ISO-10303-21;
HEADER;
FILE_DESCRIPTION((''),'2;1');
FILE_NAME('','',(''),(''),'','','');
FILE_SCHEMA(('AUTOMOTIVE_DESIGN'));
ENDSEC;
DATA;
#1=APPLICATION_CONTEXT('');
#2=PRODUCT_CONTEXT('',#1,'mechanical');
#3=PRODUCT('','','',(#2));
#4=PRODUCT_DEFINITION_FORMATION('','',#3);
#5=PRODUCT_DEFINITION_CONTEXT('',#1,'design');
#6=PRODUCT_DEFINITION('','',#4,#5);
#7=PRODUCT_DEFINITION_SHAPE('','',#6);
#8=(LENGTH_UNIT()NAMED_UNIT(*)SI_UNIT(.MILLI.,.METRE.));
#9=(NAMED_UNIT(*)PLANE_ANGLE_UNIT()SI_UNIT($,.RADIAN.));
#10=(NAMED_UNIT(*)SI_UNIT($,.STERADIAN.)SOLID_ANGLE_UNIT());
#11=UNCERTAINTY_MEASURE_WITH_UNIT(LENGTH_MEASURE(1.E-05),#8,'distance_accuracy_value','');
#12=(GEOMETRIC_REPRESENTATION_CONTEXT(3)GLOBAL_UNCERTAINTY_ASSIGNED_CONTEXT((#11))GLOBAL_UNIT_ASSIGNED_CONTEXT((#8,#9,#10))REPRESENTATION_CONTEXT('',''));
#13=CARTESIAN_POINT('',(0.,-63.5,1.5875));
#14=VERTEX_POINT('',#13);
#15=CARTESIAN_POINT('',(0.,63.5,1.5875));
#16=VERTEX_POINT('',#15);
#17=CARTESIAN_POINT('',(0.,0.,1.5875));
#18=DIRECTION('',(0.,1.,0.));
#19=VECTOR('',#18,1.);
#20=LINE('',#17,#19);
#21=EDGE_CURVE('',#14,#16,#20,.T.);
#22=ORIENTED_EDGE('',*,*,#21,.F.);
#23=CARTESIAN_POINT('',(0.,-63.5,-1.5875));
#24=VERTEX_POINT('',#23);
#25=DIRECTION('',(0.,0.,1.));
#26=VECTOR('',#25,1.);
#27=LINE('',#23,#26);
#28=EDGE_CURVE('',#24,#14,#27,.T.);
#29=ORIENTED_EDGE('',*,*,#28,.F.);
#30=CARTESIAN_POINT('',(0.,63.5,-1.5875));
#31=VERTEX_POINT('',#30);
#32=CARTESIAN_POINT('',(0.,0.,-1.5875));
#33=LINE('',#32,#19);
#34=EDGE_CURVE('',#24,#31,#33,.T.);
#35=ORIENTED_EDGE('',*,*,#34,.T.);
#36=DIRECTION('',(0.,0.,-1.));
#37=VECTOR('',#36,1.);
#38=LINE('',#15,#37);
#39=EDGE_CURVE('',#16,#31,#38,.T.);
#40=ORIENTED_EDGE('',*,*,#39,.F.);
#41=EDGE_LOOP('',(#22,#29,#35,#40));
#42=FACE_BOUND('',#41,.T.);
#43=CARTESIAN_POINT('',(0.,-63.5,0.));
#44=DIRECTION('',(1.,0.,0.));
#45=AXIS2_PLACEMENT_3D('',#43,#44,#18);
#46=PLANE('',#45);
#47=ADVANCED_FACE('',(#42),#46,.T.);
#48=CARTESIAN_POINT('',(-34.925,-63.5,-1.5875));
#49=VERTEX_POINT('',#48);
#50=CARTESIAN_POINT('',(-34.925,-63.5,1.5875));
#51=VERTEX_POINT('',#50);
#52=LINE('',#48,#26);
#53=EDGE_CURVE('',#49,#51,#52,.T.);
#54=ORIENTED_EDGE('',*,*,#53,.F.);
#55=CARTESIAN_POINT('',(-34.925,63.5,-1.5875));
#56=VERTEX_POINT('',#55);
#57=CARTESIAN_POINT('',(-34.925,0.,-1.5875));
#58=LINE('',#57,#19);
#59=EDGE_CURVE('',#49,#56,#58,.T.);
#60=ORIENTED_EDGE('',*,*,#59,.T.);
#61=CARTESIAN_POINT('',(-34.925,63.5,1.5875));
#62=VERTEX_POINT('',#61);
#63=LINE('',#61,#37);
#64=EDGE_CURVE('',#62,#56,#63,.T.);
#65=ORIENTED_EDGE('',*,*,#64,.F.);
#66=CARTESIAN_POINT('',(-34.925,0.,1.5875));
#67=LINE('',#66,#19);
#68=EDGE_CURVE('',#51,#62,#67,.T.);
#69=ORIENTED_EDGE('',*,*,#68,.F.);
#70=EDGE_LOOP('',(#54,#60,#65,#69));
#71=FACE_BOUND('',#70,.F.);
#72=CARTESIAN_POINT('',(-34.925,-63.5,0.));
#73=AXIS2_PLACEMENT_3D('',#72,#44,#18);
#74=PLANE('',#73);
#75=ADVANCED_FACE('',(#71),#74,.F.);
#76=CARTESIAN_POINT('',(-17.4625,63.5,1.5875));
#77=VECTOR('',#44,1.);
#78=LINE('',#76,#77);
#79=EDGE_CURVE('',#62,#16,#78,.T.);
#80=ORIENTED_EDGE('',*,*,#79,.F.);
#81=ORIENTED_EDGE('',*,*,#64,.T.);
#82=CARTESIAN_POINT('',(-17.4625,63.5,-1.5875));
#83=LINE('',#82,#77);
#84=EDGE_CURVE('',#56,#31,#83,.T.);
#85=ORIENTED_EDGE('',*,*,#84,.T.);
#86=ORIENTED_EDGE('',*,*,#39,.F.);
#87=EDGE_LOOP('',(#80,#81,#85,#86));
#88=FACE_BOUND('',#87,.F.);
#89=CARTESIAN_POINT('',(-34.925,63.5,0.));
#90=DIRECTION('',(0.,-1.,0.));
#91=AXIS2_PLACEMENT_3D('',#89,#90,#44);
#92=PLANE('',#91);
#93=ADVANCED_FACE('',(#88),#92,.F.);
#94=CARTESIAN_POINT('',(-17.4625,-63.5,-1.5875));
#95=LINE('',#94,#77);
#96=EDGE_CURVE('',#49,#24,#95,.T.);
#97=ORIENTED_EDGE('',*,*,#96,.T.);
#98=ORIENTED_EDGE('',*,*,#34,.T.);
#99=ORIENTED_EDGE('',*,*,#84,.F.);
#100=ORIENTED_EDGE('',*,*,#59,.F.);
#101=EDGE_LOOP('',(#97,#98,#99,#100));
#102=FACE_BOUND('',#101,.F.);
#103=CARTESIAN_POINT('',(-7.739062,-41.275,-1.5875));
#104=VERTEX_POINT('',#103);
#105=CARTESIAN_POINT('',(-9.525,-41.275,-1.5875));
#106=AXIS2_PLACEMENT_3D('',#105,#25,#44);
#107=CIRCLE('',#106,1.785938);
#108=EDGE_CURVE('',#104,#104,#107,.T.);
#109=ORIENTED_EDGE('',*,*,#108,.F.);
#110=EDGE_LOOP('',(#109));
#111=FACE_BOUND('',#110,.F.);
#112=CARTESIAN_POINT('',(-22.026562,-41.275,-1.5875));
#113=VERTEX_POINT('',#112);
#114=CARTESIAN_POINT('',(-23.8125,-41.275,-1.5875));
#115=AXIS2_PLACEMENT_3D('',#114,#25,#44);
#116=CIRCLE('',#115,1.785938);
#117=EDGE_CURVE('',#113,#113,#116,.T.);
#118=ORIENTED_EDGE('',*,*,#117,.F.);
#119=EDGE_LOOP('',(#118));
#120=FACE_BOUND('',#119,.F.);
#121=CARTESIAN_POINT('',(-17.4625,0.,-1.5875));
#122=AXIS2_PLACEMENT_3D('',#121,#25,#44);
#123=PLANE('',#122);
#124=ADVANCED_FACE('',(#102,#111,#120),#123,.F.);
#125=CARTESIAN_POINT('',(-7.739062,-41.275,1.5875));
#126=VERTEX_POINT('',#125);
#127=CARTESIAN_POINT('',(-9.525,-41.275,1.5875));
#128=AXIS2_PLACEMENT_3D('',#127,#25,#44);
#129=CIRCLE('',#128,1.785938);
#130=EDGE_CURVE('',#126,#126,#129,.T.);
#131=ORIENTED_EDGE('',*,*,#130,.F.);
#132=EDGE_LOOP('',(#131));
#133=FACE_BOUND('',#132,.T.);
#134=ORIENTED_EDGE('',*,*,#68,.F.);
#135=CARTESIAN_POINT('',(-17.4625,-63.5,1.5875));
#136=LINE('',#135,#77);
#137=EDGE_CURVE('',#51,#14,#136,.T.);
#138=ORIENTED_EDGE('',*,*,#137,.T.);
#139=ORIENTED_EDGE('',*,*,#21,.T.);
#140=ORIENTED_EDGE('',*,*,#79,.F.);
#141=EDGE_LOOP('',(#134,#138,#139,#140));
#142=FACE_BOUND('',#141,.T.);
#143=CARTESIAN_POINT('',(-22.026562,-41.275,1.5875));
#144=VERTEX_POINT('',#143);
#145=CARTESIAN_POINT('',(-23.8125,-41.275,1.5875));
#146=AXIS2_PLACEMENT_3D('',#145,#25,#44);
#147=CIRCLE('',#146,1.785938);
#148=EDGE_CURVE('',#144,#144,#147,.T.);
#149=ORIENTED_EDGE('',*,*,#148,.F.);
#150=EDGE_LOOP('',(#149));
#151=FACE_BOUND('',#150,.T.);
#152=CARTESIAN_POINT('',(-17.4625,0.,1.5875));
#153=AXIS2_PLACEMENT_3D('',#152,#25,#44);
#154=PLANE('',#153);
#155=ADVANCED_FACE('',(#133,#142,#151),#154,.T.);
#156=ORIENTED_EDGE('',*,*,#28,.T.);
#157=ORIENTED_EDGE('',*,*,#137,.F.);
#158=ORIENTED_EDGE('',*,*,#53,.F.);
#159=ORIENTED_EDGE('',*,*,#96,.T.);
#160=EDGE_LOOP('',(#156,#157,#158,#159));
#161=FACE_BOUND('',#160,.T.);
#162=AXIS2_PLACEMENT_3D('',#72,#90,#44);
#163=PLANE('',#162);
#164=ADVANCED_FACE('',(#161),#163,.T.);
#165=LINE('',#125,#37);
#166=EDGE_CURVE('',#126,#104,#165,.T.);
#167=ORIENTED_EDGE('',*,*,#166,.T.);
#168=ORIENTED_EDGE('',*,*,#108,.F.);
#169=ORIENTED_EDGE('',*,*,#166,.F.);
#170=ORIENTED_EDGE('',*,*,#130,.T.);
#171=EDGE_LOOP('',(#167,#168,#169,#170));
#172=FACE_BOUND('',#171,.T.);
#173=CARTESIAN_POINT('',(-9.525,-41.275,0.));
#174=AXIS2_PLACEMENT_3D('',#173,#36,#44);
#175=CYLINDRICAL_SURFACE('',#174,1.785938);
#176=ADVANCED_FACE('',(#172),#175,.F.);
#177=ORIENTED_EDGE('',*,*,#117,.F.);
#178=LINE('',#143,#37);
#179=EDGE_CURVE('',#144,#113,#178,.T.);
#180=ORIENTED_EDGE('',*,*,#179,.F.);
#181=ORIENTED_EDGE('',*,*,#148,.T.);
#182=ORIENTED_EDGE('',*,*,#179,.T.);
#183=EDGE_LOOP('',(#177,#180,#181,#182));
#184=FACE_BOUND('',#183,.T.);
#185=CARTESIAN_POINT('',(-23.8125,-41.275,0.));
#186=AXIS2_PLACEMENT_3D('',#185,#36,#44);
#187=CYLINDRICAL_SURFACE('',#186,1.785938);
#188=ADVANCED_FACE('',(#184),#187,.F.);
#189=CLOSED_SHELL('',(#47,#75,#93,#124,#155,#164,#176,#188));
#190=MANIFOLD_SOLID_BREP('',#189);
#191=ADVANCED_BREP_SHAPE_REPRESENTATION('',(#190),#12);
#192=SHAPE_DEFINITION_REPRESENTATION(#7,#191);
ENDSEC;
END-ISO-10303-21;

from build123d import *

# Parameters (mm, degrees)
F0_W     = 34.925
F0_H     = 127
F0_R     = 1.785938
F1_DEPTH = 1.5875


with BuildPart() as f1:
    # F0 (on Top) → F1 (new body, symmetric)
    with BuildSketch(Plane.XY):
        with Locations((-17.4625, 0)):
            Rectangle(F0_W, F0_H)
        with Locations((-23.8125, -41.275)):
            Circle(F0_R, mode=Mode.SUBTRACT)
        with Locations((-9.525, -41.275)):
            Circle(F0_R, mode=Mode.SUBTRACT)
    extrude(amount=F1_DEPTH, both=True)


solid = f1.part
